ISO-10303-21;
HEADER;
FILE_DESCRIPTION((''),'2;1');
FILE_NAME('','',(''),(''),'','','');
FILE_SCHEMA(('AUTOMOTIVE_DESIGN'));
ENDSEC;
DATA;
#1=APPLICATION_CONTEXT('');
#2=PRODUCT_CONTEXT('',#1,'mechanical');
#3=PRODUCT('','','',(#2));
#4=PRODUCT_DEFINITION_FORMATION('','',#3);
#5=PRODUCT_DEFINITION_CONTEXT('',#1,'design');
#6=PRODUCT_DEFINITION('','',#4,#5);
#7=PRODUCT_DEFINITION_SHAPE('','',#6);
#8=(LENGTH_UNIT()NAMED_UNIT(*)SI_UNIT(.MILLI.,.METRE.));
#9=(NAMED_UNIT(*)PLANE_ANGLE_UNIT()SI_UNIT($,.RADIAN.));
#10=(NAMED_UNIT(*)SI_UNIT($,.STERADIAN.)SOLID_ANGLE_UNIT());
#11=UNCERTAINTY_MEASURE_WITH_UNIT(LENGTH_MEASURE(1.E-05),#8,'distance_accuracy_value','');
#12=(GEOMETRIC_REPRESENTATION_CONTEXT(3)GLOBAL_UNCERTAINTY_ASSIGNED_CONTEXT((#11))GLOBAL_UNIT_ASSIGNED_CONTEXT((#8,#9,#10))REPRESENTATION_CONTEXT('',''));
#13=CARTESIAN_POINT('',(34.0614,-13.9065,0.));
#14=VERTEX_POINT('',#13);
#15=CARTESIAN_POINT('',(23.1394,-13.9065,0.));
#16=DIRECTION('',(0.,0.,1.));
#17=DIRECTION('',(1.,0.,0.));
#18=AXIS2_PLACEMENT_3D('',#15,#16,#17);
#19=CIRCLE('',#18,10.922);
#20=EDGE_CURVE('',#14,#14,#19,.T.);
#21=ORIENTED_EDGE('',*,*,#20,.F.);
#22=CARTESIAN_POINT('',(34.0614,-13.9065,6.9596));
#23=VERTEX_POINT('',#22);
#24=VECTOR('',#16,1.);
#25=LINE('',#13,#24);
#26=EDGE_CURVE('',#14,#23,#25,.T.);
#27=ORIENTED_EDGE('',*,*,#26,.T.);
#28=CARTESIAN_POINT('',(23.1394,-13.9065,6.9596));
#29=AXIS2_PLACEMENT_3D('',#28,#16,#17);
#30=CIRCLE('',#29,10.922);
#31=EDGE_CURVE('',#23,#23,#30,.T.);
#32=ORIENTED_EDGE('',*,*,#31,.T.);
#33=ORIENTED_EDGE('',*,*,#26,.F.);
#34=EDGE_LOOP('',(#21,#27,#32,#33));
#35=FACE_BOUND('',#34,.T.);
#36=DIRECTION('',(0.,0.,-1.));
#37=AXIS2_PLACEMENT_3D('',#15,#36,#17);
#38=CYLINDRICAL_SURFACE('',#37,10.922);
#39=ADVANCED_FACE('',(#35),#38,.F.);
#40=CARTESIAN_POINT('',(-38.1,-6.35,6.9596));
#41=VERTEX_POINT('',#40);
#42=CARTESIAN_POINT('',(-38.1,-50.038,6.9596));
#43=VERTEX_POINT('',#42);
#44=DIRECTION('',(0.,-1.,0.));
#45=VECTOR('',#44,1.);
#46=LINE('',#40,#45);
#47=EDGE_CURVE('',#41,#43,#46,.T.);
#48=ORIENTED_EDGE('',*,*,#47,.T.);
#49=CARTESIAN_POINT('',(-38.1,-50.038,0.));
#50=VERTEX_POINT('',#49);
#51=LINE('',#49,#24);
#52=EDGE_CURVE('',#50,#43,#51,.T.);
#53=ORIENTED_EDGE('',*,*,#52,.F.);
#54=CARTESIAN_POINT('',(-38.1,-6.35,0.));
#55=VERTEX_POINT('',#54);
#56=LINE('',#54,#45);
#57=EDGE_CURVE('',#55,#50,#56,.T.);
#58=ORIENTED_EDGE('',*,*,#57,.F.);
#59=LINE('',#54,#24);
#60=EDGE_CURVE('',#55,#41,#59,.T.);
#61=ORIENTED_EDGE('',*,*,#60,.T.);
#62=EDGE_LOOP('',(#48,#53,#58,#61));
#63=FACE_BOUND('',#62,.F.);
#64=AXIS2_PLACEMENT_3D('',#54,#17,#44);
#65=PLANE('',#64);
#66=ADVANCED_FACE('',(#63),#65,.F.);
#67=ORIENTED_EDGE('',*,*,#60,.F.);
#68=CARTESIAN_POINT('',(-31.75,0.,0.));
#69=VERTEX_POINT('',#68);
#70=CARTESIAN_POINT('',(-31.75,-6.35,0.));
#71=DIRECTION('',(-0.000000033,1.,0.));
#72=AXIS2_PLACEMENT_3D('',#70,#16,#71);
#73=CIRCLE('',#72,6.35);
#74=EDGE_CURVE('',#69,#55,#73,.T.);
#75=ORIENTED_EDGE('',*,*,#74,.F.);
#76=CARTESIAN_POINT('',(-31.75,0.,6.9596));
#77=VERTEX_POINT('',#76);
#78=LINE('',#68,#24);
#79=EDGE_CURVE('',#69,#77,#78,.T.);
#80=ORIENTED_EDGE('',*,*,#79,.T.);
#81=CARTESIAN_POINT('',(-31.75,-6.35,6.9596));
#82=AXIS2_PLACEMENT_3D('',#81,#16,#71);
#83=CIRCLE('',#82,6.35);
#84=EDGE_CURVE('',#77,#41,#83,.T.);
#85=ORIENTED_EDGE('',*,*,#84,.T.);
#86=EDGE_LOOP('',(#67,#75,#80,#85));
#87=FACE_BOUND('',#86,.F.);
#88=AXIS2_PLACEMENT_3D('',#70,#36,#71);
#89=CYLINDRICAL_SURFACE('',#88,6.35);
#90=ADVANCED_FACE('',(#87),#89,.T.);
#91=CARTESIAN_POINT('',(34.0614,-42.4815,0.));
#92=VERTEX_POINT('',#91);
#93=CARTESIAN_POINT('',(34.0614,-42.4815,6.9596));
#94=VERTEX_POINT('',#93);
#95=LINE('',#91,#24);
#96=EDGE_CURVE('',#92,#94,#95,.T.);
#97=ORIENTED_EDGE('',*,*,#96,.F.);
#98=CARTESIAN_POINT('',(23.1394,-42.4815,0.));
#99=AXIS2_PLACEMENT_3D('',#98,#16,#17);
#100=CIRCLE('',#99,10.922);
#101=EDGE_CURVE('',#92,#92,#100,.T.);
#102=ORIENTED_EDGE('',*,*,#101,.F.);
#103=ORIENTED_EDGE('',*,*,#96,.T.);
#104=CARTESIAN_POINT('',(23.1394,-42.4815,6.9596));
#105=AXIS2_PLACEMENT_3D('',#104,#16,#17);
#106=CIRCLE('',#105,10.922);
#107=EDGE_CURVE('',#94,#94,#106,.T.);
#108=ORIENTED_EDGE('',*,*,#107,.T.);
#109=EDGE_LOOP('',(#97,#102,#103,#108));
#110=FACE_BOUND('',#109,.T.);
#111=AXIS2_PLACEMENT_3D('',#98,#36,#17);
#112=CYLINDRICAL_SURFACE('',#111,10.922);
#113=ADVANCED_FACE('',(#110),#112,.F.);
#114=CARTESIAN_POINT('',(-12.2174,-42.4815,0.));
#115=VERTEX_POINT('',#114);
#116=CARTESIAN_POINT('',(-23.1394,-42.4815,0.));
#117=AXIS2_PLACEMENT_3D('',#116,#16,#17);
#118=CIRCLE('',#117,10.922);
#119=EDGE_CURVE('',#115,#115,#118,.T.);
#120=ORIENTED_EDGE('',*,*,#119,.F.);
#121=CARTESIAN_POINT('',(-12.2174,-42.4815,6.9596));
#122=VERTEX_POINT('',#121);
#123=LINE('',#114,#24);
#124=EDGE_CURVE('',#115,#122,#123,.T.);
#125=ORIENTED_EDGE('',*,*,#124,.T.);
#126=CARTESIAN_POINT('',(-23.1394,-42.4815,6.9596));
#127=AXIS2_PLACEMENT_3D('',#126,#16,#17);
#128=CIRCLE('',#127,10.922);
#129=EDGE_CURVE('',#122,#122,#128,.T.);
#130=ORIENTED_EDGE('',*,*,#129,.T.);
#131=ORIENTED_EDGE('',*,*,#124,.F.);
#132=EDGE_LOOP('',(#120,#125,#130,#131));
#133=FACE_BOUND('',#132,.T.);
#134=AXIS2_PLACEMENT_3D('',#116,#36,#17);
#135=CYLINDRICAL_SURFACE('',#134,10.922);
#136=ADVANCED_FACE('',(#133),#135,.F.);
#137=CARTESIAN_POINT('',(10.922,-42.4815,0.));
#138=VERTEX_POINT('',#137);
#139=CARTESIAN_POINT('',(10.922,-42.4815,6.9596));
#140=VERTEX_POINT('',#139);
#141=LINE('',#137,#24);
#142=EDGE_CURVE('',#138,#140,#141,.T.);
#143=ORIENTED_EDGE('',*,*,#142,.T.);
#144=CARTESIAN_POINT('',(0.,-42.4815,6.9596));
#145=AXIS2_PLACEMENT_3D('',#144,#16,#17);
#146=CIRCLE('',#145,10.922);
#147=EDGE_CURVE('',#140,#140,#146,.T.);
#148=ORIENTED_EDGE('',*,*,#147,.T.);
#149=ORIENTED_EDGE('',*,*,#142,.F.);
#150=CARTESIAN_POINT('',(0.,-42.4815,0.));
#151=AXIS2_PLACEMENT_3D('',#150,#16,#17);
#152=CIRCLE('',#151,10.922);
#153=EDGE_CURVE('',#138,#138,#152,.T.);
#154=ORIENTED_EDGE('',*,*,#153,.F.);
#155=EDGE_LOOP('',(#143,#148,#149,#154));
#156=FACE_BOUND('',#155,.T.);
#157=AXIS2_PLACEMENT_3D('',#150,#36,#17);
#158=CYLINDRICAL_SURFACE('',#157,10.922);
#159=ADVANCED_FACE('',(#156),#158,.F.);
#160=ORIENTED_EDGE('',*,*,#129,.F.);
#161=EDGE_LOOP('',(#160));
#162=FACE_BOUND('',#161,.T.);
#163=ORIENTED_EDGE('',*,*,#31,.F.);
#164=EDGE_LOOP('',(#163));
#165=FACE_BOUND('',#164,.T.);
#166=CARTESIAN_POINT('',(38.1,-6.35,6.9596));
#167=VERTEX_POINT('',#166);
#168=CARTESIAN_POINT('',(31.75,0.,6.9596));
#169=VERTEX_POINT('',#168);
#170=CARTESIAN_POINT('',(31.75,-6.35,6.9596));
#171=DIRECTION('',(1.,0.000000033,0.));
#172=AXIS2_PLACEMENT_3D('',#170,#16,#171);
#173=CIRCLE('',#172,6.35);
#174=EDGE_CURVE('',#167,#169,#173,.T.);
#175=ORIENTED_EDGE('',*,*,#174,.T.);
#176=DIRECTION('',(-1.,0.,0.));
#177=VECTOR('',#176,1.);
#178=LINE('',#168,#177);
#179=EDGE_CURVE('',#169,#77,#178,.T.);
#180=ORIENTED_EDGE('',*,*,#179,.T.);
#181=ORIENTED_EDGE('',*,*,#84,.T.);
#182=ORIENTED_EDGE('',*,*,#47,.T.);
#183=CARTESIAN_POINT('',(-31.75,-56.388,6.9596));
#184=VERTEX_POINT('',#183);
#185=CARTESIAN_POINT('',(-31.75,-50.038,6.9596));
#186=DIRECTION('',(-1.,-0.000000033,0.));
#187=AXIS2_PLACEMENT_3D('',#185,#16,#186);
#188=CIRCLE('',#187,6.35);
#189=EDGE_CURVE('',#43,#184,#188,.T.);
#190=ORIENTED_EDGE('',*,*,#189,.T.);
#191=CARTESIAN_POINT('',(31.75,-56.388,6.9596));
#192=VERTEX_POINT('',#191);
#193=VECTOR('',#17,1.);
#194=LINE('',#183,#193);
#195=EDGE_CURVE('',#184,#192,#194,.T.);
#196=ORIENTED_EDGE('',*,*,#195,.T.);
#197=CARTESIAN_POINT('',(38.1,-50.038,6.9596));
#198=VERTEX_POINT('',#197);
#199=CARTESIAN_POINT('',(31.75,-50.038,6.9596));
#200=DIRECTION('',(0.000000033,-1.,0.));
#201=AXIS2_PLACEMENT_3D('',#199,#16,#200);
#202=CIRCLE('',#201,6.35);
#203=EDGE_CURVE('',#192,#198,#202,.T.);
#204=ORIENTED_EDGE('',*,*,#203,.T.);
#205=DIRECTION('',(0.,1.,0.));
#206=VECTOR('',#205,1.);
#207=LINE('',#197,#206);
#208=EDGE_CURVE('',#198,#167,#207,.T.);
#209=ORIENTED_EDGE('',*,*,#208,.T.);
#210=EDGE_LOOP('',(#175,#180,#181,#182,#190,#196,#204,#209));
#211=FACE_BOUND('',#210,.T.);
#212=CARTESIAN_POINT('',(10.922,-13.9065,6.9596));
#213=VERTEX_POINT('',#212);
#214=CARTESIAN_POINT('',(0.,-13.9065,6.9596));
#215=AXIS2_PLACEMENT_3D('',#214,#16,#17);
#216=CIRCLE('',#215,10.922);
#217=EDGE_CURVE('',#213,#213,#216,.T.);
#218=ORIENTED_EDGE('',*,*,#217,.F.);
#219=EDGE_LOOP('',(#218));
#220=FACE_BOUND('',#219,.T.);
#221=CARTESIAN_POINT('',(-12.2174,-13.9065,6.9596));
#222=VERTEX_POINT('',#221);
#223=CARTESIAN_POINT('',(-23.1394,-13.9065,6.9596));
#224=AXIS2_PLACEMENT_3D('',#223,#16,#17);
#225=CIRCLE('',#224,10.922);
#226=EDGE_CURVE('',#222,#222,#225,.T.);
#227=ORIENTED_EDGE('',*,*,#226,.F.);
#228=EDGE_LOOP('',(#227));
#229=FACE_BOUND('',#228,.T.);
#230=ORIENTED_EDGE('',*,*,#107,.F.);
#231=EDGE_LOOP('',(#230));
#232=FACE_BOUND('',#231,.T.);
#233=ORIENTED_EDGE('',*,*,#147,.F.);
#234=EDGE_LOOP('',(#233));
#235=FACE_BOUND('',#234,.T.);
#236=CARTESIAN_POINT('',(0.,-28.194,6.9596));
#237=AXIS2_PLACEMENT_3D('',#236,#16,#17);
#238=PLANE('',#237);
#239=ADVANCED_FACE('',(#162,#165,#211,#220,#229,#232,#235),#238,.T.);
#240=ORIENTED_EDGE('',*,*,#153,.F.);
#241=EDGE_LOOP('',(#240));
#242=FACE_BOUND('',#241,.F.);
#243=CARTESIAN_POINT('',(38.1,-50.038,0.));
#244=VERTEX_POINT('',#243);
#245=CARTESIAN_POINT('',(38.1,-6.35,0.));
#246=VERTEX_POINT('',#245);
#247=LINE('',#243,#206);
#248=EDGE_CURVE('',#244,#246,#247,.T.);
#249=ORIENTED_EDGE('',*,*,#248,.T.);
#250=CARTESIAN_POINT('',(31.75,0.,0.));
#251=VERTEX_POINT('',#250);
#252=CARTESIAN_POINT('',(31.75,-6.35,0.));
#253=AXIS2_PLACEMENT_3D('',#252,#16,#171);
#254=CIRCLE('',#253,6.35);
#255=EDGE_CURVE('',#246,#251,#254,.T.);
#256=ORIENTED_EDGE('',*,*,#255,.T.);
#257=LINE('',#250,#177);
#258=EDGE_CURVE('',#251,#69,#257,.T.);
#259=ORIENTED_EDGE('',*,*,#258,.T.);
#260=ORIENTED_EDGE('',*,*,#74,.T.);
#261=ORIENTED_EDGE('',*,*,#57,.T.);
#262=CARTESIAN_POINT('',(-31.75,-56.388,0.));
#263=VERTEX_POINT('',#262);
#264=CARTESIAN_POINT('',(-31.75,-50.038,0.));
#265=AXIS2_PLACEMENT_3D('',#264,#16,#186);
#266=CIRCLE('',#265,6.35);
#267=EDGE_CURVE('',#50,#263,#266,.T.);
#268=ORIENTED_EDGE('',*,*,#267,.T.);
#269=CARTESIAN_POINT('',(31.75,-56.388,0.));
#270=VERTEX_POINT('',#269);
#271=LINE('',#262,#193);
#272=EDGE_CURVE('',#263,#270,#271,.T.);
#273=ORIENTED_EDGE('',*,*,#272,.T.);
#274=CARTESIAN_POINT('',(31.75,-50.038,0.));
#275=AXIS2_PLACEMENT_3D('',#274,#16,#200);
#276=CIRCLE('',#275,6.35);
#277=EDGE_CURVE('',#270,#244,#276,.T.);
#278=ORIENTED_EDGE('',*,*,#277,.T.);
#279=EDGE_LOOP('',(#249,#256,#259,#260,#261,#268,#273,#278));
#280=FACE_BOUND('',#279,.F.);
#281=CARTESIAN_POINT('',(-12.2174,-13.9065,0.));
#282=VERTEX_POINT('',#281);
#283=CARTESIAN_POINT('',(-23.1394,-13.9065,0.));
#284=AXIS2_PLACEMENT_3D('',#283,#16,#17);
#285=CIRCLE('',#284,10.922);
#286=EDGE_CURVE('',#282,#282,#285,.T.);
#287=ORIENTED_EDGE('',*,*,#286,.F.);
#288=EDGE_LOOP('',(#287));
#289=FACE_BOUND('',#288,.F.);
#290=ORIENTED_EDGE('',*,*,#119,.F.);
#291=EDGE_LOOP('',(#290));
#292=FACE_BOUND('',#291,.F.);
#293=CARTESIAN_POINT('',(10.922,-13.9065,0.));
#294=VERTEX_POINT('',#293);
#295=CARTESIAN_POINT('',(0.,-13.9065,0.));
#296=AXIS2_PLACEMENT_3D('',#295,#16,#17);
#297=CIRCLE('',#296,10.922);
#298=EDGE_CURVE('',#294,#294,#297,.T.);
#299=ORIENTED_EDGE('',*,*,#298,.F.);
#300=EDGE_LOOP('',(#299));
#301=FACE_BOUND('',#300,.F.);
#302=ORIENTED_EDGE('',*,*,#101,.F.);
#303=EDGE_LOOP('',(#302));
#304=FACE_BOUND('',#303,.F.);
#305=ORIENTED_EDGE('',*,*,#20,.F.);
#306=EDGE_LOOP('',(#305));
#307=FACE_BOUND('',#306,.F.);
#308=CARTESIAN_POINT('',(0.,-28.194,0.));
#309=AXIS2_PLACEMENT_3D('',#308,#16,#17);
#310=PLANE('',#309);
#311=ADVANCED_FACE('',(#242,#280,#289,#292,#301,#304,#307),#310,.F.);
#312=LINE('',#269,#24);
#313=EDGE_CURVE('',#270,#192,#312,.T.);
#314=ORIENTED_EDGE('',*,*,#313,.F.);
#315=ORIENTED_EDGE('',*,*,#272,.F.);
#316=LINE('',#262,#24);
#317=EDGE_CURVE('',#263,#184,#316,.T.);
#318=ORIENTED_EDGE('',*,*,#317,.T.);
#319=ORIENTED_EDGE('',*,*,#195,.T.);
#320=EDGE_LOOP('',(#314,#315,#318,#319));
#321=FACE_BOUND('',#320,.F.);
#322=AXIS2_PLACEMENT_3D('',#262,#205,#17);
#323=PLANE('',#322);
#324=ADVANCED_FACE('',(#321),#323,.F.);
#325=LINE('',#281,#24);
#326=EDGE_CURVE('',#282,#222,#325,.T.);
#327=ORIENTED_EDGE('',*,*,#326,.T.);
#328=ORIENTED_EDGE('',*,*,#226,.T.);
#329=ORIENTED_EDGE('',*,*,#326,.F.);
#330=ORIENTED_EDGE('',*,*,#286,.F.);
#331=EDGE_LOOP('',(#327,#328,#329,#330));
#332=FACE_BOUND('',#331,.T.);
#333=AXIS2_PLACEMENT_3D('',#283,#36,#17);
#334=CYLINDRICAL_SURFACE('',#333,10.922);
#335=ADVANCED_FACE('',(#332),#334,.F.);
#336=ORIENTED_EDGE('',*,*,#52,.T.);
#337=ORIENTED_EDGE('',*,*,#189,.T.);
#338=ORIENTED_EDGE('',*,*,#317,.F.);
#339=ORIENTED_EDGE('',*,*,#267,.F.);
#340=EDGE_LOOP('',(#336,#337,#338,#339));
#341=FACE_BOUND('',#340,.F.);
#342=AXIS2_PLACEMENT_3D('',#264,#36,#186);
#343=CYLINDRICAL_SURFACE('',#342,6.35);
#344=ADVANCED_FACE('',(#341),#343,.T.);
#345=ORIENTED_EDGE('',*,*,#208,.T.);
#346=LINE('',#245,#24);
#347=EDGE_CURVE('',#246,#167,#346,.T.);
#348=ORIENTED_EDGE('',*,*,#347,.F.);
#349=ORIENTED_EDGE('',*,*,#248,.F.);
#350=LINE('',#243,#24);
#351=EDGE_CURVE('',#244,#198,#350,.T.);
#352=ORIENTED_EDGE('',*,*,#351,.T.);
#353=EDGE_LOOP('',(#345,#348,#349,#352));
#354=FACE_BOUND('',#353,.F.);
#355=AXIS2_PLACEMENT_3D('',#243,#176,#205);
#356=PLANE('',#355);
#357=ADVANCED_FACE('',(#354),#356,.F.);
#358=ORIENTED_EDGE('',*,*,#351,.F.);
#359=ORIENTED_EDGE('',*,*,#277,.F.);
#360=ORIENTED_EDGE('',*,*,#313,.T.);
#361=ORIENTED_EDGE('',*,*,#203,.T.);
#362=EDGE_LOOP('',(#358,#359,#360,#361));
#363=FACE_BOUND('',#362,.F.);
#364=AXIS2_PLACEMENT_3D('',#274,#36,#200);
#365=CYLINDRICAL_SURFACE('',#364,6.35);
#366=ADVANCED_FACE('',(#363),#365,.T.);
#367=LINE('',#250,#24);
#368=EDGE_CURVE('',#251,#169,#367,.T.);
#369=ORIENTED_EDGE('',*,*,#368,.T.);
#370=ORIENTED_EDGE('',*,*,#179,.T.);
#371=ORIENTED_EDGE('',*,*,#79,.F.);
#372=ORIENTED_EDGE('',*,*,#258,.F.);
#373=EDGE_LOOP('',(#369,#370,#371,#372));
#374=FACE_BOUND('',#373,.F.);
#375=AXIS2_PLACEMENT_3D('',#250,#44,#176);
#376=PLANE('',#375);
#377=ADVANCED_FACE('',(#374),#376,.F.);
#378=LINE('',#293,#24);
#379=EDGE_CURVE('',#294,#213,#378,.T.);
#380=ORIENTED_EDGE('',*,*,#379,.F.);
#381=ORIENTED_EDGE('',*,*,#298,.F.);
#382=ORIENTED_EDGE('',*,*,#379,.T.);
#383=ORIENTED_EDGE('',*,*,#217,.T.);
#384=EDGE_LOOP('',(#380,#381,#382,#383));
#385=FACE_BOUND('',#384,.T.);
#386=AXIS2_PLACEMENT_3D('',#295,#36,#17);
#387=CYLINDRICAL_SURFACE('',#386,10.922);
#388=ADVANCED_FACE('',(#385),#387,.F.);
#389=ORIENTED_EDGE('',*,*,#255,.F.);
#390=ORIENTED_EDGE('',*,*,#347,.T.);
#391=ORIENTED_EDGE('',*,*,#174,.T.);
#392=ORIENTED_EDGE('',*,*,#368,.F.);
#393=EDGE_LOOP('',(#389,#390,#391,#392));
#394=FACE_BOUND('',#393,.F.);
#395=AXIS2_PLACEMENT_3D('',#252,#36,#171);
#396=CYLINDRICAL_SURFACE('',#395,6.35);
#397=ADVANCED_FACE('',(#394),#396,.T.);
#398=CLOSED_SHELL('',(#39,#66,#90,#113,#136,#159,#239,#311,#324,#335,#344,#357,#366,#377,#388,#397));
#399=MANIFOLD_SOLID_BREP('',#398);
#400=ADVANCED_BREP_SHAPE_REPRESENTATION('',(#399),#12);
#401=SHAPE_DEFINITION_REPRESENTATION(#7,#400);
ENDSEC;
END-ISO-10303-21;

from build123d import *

# Parameters (mm, degrees)
F0_R     = 10.922
F1_DEPTH = 6.9596


with BuildPart() as f1:
    # F0 (on Top) → F1 (new body)
    with BuildSketch(Plane.XY):
        with BuildLine():
            Line((31.75, 0), (-31.75, 0))
            ThreePointArc((-31.75, 0), (-36.240128, -1.859872), (-38.1, -6.35))
            Line((-38.1, -6.35), (-38.1, -50.038))
            ThreePointArc((-38.1, -50.038), (-36.240128, -54.528128), (-31.75, -56.388))
            Line((-31.75, -56.388), (31.75, -56.388))
            ThreePointArc((31.75, -56.388), (36.240128, -54.528128), (38.1, -50.038))
            Line((38.1, -50.038), (38.1, -6.35))
            ThreePointArc((38.1, -6.35), (36.240128, -1.859872), (31.75, 0))
        make_face()
        with Locations((-23.1394, -42.4815)):
            Circle(F0_R, mode=Mode.SUBTRACT)
        with Locations((0, -42.4815)):
            Circle(F0_R, mode=Mode.SUBTRACT)
        with Locations((23.1394, -42.4815)):
            Circle(F0_R, mode=Mode.SUBTRACT)
        with Locations((-23.1394, -13.9065)):
            Circle(F0_R, mode=Mode.SUBTRACT)
        with Locations((0, -13.9065)):
            Circle(F0_R, mode=Mode.SUBTRACT)
        with Locations((23.1394, -13.9065)):
            Circle(F0_R, mode=Mode.SUBTRACT)
    extrude(amount=F1_DEPTH)


solid = f1.part
